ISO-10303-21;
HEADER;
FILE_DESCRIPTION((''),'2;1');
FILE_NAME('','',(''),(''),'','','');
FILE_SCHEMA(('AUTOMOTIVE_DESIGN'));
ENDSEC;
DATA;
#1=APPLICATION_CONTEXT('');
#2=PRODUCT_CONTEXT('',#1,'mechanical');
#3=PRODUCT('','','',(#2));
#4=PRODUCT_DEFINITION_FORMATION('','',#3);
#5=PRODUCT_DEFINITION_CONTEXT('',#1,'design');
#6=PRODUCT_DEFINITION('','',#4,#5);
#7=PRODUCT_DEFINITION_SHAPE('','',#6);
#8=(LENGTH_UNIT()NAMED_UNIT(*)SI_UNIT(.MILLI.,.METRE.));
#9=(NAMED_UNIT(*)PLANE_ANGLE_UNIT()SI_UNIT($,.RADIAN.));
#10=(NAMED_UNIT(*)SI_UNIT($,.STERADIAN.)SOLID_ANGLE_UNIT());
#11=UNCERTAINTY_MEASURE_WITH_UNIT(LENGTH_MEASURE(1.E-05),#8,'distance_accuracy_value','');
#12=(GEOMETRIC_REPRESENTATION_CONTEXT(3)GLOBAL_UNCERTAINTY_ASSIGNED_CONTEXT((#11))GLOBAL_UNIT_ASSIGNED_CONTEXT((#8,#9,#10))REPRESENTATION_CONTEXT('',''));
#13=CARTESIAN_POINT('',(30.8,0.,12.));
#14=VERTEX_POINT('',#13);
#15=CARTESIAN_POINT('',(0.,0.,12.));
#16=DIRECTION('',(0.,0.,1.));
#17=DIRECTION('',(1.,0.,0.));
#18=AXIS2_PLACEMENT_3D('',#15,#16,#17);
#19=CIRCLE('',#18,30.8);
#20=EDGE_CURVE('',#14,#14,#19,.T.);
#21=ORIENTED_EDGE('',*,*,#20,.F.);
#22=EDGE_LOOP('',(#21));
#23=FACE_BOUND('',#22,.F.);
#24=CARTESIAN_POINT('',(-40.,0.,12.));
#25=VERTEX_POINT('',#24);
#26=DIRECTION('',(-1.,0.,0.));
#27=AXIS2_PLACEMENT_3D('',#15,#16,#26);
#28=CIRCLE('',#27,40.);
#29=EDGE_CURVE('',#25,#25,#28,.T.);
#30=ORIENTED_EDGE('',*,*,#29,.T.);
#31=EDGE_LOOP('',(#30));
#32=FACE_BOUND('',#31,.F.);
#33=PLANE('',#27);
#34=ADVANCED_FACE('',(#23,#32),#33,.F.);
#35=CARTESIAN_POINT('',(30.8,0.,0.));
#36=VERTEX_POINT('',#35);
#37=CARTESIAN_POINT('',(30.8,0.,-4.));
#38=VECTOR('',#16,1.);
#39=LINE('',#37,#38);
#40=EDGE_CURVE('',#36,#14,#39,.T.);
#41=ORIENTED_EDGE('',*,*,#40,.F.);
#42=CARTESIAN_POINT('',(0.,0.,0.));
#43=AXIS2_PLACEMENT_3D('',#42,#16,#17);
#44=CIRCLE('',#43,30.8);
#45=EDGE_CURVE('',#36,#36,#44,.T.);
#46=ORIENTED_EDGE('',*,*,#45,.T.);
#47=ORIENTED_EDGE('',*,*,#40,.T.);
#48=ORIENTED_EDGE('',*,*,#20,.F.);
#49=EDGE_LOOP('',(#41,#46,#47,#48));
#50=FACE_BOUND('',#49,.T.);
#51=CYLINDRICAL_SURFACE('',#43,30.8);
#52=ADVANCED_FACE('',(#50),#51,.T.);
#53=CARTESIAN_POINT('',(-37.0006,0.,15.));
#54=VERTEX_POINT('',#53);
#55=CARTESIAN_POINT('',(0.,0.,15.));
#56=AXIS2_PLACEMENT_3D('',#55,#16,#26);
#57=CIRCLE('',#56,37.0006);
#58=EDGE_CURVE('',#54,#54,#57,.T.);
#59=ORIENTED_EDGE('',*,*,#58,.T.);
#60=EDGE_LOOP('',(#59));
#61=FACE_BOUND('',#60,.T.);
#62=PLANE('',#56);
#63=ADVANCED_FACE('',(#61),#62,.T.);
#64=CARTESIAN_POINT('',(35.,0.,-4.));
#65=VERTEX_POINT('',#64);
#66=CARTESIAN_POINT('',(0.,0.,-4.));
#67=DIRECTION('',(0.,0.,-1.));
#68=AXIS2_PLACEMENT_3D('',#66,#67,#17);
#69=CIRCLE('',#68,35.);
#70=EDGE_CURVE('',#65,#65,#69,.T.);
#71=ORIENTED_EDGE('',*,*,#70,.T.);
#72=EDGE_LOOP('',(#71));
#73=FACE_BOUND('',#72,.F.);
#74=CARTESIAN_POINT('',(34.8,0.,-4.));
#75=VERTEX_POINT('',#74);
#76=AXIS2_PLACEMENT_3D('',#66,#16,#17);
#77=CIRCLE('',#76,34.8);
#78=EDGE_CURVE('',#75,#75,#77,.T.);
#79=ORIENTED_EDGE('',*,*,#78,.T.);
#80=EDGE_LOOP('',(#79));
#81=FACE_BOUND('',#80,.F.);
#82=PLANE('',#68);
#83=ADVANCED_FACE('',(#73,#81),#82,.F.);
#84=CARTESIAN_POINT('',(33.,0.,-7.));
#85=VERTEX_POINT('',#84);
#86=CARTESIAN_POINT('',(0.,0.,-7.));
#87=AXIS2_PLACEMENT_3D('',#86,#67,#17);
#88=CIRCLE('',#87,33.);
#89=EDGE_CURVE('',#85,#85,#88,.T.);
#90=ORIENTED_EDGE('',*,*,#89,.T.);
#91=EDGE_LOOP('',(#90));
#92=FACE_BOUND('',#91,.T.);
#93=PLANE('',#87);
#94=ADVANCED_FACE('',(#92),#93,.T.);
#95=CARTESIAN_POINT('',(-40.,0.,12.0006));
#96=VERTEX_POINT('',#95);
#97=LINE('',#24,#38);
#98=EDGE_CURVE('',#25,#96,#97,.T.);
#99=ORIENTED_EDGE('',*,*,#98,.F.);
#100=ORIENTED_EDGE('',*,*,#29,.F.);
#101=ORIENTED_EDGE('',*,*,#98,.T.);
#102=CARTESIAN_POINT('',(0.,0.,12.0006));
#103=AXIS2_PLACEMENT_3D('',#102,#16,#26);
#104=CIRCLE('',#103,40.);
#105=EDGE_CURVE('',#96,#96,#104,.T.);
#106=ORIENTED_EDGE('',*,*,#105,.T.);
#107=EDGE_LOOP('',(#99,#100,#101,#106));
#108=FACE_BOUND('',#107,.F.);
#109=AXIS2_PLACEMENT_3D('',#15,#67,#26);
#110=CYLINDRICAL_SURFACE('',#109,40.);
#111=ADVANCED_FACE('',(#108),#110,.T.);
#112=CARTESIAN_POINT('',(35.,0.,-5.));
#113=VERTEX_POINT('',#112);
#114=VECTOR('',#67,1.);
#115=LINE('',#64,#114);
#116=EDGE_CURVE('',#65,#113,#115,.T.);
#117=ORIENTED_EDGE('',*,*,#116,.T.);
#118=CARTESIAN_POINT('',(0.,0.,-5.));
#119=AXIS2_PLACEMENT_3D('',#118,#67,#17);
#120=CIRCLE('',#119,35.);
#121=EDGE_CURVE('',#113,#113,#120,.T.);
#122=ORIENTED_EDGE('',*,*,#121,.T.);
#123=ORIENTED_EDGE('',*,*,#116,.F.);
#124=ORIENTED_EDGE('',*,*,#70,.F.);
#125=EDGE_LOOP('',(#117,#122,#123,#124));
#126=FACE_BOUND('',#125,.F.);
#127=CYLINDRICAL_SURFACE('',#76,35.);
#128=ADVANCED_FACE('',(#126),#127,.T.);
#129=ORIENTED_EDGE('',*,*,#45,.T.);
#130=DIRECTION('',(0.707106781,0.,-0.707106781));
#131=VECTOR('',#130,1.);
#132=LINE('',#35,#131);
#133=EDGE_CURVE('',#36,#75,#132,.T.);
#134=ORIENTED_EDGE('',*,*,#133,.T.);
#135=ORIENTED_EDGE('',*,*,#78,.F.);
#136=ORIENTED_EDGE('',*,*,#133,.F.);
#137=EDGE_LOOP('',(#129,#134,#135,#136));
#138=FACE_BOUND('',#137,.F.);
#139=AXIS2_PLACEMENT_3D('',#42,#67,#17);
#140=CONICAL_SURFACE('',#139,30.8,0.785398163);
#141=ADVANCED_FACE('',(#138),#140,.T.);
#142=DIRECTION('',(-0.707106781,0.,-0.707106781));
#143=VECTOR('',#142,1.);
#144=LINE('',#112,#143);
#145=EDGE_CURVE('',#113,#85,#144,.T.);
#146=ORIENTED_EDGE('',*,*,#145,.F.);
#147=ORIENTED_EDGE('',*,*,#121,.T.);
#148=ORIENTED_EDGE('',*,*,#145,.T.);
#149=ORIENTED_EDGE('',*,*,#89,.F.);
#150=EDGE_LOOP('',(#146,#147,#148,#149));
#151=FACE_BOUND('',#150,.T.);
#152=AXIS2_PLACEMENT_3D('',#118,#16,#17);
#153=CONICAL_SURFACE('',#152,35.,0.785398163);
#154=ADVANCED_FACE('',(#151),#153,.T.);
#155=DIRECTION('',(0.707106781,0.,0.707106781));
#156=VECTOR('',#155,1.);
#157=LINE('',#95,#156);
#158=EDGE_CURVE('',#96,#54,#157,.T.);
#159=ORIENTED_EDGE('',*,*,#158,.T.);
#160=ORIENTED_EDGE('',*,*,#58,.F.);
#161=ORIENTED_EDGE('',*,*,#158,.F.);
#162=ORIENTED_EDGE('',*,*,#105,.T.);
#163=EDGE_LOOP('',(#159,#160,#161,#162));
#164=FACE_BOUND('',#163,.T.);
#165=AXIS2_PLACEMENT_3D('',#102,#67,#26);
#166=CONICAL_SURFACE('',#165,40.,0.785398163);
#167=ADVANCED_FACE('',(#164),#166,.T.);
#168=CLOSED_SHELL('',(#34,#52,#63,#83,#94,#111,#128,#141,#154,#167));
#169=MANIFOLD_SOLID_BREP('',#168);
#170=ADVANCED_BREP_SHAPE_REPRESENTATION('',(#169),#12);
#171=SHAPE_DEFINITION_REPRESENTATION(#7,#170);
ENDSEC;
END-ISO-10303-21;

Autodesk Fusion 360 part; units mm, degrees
sketch "Skizze1" plane through (0, 0, 0) normal (0, 0, 1) x (1, 0, 0)
  circle A0 centre (0, 0) radius 30.8
  dimension "d1" = 61.6
extrude "Extrusion1" add sketch "Skizze1" along normal blind 12
sketch "Skizze2" plane through (0, 0, 12) normal (0, 0, 1) x (-1, 0, 0)
  circle A0 centre (0, 0) radius 30.8
  circle A1 centre (0, 0) radius 40
  dimension "d4" = 80
extrude "Extrusion2" add sketch "Skizze2" along normal blind 3 contours A0 | A1
extrude "Extrusion4" add 1 faces at (6.9618, -9.4552, 0) along direction (0, 0, -1) blind 4
sketch "Skizze4" plane through (0, 0, -4) normal (0, 0, -1) x (1, 0, 0)
  circle A0 centre (0, 0) radius 30.8
  circle A1 centre (0, 0) radius 35
  dimension "d14" = 70
extrude "Extrusion5" add sketch "Skizze4" along normal blind 3 contours A0 | A1
chamfer "Fase3" distance 2 angle 45 1 edges at (-32.6315, 12.6565, -7)
chamfer "Fase5" distance 3 angle 45 1 edges at (37.2931, 14.4646, 15)
sketch "Skizze5" plane through (0, 0, 15) normal (0, 0, 1) x (-1, 0, 0)
  circle A0 centre (0, 0) radius 37
  circle A1 centre (0, 0) radius 27
  dimension "d20" = 54
chamfer "Fase7" distance 4 angle 45 1 edges at (-28.7157, 11.1378, -4)
